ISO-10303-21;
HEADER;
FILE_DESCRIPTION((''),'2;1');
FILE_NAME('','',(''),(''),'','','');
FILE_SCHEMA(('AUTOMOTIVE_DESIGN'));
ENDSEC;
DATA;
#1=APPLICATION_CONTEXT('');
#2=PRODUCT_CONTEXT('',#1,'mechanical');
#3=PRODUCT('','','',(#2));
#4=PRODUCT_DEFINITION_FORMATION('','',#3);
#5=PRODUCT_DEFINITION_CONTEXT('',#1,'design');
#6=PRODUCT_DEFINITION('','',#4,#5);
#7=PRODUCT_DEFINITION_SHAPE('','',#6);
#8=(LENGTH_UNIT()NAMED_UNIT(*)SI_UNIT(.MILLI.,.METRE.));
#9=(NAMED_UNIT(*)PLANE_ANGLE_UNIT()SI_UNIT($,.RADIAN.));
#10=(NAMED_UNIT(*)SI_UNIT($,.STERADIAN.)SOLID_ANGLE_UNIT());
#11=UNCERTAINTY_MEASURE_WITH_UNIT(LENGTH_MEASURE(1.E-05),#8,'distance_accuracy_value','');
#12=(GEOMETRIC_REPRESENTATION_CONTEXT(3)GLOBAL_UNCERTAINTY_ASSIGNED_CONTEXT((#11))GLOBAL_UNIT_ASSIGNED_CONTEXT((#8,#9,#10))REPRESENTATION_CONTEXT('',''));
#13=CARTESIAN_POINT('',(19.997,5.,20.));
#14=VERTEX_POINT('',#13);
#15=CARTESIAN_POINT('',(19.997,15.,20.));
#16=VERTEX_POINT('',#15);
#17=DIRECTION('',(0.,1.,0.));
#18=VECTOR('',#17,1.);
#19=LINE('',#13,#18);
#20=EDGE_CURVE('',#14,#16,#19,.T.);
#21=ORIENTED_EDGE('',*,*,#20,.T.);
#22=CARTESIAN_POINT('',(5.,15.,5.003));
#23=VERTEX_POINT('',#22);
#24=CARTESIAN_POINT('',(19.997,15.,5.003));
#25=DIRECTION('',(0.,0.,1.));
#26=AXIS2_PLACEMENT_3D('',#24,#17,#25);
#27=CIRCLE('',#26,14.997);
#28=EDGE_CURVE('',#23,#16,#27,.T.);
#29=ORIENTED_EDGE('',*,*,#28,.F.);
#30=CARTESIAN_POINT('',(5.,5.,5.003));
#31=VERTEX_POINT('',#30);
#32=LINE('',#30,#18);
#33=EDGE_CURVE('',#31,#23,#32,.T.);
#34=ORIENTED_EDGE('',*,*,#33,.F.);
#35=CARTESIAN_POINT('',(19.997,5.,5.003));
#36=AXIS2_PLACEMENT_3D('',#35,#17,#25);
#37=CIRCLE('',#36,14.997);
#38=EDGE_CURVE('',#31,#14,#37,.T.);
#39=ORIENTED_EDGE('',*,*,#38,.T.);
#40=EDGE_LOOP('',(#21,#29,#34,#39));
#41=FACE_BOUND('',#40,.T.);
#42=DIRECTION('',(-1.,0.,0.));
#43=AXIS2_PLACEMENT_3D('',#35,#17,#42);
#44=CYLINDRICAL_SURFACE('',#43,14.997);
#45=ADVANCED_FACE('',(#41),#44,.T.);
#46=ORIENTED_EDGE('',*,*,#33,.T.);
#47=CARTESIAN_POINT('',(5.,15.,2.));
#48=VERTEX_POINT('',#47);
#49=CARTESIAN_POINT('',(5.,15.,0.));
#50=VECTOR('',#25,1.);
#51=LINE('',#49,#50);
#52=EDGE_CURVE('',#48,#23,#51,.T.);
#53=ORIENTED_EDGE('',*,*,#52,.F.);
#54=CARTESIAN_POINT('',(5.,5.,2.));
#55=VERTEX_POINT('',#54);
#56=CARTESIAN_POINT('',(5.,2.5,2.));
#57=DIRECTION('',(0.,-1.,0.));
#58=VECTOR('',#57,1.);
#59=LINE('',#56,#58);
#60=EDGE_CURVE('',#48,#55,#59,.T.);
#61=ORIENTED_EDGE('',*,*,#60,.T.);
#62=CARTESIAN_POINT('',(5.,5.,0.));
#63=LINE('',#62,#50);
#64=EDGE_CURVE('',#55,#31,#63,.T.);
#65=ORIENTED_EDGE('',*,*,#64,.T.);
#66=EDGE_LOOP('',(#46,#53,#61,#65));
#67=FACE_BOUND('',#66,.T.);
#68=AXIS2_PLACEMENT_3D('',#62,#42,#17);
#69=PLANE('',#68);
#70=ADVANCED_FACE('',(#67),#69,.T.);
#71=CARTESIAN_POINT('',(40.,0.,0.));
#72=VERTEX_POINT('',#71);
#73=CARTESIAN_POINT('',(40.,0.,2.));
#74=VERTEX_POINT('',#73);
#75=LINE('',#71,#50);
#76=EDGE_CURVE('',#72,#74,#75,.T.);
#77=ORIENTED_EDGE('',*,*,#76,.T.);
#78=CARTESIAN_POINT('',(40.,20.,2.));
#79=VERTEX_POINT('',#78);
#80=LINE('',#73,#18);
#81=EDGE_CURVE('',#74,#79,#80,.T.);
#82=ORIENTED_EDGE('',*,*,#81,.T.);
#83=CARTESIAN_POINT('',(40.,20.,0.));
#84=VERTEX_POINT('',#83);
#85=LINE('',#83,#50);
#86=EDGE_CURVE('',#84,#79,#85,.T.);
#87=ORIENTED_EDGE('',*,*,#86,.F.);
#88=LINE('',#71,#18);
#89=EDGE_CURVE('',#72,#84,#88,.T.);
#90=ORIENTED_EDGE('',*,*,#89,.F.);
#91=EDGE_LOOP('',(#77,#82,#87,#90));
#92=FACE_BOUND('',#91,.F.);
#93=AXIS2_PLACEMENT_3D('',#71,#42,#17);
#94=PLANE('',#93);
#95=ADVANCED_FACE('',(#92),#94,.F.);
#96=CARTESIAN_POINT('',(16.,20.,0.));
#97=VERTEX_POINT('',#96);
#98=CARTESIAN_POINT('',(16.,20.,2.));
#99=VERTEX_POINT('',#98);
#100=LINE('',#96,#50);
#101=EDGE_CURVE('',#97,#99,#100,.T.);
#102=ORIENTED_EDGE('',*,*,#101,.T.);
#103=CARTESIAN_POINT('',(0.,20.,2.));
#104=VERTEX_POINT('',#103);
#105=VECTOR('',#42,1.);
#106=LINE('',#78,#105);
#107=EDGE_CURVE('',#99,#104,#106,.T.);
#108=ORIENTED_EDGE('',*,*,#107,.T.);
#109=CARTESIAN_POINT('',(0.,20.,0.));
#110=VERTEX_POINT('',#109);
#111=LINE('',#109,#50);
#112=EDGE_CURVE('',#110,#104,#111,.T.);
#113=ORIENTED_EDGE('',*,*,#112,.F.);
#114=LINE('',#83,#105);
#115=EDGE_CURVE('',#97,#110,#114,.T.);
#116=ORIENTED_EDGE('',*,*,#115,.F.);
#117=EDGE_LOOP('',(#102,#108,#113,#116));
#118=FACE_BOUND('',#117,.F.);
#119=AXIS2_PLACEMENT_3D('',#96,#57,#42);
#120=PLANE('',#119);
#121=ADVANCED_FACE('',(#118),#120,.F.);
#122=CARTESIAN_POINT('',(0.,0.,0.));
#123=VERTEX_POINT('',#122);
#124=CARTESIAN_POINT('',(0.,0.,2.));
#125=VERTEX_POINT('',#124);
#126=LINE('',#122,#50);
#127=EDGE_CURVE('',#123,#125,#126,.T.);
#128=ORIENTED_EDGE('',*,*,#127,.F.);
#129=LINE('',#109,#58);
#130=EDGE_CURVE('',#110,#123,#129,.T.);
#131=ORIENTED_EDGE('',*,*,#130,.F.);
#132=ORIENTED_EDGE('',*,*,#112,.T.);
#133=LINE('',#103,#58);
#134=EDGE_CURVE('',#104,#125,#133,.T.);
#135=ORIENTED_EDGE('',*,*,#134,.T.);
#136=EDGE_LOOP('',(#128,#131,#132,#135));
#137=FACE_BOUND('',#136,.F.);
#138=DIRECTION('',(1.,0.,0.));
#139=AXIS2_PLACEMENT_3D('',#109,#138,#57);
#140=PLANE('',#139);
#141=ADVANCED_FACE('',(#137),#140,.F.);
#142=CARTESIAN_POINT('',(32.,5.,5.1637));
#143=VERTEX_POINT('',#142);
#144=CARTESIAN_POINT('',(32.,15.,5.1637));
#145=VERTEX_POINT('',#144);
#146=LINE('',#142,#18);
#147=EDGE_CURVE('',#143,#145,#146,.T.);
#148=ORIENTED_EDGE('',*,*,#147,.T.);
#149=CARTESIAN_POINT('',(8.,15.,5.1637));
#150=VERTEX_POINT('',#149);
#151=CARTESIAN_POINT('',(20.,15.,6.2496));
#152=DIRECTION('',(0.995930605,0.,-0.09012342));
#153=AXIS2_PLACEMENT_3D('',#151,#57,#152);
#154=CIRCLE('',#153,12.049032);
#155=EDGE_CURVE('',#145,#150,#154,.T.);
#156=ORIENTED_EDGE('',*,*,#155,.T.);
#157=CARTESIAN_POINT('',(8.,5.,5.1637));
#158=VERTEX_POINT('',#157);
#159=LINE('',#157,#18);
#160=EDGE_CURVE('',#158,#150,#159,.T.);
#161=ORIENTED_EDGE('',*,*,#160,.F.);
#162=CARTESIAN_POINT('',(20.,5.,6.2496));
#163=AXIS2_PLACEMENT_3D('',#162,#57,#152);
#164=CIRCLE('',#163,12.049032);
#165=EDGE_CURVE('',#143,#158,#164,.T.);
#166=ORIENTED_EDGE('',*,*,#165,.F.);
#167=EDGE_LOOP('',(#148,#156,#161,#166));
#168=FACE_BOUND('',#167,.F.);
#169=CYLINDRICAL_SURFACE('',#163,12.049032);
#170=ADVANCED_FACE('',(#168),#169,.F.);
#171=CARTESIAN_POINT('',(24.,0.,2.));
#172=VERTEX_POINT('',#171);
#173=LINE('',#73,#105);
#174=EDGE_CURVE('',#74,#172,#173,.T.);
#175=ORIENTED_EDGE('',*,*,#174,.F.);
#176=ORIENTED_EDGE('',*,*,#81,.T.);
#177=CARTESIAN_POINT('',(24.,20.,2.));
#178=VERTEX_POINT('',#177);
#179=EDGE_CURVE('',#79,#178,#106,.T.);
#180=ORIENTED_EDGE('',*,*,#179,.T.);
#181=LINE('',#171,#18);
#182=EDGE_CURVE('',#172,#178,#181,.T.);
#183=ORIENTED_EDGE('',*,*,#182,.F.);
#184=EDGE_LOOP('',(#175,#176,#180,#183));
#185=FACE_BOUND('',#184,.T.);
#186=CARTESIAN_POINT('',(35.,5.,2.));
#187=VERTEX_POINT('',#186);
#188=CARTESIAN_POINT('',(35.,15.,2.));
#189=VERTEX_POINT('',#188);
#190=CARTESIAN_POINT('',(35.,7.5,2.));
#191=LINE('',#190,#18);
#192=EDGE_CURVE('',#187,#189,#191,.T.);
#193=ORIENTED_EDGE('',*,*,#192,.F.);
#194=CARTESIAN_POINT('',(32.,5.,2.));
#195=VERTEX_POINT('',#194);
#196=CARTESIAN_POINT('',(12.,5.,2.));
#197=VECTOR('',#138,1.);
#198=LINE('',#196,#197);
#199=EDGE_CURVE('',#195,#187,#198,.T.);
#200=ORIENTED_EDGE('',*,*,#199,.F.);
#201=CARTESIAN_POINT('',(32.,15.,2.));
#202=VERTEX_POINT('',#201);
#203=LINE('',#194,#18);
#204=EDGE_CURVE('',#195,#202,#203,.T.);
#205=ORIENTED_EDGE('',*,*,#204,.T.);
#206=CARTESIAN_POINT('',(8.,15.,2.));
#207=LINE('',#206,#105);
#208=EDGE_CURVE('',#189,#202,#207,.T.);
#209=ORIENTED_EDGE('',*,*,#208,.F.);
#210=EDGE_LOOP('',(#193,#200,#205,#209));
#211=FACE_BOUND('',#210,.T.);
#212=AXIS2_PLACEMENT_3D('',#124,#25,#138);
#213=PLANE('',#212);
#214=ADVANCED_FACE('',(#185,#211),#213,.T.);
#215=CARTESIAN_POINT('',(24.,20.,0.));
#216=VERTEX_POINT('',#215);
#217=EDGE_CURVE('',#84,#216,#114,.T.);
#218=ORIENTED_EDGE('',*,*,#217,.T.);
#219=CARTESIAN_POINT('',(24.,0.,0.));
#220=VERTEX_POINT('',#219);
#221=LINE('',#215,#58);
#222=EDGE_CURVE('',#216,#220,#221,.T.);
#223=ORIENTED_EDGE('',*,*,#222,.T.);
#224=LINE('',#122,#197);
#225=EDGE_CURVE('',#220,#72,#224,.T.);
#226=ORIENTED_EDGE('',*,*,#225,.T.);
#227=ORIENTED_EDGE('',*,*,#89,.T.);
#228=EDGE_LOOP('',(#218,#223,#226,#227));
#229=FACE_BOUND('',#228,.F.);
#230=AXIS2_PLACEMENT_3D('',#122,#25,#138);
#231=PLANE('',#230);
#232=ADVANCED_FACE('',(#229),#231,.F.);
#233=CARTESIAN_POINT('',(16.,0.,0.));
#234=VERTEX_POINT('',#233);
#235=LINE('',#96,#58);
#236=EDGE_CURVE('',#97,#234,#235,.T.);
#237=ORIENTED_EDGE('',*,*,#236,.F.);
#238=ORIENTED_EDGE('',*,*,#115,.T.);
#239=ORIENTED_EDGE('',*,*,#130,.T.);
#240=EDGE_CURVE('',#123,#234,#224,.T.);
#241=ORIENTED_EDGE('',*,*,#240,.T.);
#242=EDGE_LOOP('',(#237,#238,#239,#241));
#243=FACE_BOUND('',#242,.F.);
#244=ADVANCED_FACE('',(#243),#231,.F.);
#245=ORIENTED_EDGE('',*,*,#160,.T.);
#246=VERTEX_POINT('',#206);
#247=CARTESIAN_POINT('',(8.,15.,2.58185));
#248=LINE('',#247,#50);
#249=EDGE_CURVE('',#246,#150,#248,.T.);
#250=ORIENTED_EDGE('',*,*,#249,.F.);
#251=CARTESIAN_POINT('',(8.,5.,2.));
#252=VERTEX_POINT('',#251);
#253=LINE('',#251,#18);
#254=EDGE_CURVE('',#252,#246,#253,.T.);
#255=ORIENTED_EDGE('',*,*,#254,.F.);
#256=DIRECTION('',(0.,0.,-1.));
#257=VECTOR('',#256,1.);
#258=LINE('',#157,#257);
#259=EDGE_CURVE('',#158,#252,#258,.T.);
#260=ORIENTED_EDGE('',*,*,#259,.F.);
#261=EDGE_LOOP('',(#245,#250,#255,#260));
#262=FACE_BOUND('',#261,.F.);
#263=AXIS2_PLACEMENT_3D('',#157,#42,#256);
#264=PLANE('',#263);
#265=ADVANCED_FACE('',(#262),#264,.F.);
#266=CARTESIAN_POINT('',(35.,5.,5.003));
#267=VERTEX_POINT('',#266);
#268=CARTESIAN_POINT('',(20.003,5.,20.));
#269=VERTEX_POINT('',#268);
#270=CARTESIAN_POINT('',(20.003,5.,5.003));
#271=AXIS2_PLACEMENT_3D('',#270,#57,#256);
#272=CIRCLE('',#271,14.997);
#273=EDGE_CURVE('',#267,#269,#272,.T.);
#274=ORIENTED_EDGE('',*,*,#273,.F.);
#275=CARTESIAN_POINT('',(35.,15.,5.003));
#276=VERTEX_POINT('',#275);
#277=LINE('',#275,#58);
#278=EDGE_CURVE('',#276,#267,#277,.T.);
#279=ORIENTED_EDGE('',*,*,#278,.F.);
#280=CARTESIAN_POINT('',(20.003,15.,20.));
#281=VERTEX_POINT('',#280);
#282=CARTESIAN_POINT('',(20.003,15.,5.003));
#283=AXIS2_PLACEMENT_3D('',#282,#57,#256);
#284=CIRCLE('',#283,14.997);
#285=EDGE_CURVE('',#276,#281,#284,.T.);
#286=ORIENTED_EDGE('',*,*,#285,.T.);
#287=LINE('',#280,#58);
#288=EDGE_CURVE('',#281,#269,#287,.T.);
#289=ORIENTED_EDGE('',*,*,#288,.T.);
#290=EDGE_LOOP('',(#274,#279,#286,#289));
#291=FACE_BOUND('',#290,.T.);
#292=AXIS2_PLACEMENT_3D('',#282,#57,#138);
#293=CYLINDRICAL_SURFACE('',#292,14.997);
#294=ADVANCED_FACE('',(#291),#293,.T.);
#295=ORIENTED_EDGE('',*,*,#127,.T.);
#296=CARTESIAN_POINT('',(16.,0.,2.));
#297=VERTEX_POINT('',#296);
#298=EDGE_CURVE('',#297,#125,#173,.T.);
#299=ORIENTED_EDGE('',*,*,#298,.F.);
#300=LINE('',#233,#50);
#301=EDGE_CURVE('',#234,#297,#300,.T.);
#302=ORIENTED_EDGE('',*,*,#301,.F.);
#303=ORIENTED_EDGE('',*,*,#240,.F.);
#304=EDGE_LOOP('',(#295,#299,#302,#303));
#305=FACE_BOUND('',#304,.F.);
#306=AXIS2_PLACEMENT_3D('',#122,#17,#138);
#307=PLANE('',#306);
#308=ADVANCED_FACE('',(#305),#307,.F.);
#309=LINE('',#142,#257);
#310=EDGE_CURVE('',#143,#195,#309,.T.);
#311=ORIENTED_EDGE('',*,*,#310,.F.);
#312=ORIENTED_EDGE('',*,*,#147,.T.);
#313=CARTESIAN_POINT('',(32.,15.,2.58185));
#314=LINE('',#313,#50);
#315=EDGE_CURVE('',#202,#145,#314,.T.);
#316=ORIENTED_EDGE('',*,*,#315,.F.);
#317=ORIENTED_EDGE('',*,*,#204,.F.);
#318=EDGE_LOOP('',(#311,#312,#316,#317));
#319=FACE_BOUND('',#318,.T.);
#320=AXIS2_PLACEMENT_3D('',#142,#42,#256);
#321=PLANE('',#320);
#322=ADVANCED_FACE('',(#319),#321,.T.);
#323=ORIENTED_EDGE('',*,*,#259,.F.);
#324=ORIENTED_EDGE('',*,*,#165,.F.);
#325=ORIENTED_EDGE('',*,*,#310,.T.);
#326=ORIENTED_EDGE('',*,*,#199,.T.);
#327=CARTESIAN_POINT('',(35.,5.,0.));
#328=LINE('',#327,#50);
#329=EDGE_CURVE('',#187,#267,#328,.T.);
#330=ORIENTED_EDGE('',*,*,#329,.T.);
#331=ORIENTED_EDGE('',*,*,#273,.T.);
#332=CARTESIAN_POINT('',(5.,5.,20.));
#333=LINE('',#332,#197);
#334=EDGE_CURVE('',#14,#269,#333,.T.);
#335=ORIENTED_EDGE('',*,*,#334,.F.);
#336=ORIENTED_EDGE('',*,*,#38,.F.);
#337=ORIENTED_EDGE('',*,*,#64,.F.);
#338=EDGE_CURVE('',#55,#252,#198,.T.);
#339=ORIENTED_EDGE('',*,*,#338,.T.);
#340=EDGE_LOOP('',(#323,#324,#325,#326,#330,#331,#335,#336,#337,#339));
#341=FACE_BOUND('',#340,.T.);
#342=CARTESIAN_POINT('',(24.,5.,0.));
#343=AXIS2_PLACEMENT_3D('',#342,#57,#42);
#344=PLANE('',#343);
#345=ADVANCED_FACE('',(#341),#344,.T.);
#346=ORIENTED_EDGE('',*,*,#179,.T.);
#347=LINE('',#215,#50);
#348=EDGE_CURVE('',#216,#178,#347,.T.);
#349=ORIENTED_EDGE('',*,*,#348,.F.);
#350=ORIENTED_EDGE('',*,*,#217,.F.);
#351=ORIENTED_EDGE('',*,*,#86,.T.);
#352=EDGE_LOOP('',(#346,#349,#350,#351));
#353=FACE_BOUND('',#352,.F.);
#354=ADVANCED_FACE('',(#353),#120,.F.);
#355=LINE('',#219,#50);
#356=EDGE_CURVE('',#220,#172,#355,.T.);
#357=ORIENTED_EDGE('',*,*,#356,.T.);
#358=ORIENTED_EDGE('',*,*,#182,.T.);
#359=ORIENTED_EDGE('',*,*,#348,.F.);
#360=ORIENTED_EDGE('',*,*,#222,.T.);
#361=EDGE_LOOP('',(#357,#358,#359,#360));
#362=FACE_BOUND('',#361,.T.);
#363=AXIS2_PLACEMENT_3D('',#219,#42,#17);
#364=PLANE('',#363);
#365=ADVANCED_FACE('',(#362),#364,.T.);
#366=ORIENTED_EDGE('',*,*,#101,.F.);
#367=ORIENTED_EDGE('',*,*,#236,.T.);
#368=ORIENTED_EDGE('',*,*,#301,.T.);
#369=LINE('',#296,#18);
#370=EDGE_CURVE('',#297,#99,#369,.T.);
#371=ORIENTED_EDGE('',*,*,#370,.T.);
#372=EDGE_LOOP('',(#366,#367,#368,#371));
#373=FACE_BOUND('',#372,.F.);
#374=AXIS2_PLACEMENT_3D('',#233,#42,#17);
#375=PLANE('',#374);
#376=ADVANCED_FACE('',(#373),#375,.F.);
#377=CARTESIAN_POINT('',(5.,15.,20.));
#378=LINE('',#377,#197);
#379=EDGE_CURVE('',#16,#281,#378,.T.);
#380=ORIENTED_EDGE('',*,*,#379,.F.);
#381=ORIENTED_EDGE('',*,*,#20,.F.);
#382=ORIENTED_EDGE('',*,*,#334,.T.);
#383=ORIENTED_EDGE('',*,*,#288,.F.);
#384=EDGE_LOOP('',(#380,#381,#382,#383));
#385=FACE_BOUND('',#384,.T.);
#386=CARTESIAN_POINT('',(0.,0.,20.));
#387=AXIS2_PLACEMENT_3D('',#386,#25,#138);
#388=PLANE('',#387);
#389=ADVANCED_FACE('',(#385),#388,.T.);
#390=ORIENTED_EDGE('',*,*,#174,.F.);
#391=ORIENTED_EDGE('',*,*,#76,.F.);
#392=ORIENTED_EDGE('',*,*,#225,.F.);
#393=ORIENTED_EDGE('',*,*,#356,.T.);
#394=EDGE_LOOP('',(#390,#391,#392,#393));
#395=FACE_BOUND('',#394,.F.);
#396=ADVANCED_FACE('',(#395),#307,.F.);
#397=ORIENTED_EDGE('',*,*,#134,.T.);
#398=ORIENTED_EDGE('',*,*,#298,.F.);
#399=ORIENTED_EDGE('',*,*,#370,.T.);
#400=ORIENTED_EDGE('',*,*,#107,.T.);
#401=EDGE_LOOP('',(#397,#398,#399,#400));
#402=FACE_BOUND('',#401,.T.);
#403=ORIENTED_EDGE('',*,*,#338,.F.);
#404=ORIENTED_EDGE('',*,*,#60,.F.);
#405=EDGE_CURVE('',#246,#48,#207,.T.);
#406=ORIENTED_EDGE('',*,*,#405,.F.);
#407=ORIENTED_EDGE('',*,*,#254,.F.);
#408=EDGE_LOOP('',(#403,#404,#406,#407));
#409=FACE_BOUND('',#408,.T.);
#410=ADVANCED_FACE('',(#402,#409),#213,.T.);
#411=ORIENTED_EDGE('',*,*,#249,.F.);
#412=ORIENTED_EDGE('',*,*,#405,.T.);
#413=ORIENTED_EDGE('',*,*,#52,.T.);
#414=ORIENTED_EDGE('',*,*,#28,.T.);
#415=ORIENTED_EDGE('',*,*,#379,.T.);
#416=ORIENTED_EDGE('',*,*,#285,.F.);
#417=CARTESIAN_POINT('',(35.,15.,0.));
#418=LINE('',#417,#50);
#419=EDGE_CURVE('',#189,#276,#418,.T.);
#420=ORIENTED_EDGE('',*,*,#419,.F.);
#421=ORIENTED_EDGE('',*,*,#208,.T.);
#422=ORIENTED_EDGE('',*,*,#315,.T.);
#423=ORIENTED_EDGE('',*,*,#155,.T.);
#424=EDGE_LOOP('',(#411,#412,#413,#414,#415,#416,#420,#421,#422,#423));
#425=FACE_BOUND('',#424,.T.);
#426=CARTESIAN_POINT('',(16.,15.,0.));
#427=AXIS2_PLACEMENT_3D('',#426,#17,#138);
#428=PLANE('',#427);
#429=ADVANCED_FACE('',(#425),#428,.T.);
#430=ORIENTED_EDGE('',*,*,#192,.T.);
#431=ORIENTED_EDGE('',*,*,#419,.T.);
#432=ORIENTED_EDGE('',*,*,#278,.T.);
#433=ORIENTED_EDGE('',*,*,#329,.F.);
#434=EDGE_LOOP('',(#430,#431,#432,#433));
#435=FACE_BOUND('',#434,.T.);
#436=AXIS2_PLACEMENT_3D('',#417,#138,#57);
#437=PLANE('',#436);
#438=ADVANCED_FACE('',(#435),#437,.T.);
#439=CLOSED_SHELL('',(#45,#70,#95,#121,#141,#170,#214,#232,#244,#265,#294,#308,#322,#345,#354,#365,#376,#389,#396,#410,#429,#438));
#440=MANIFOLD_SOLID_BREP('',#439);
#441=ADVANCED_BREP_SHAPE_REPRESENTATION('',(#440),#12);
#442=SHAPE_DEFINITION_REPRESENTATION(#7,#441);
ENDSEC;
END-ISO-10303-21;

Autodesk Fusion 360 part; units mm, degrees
sketch "Sketch1" plane through (0, 0, 0) normal (0, 0, 1) x (1, 0, 0)
  line L0 (0, 0) -> (40, 0)
  line L1 (40, 0) -> (40, 20)
  line L2 (40, 20) -> (0, 20)
  line L3 (0, 20) -> (0, 0)
  line L4 (5, 15) -> (35, 15)
  line L5 (35, 15) -> (35, 5)
  line L6 (35, 5) -> (5, 5)
  line L7 (5, 5) -> (5, 15)
  line L8 (16, 0) -> (16, 20)
  line L9 (24, 0) -> (24, 20)
  dimension "d1" = 40
  dimension "d2" = 20
  dimension "d3" = 5
  dimension "d4" = 5
  dimension "d5" = 10
  dimension "d6" = 5
  dimension "d16" = 16
  dimension "d17" = 8
extrude "Extrude1" add sketch "Sketch1" along normal blind 2
extrude "Extrude2" add sketch "Sketch1" along normal blind 20 contours L4 L6 L8 L9 | L4 L6 L7 L8 | L4 L5 L6 L9
fillet "Fillet1" radius 15 2 edges at (5, 10, 20) (35, 10, 20)
sketch "Sketch2" plane through (0, 5, 0) normal (0, -1, 0) x (1, 0, 0)
  arc A0 (35, 5) -> (5, 5) centre (20, 5) ccw
  line L0 (5, 5) -> (5, 2)
  line L1 (5, 2) -> (35, 2)
  line L2 (35, 2) -> (35, 5)
  line L3 (8, 5.1637) -> (32, 5.1637)
  arc A1 (32, 5.1637) -> (8, 5.1637) centre (20, 6.2496) ccw
  line L4 (8, 5.1637) -> (8, 2)
  line L5 (32, 5.1637) -> (32, 2)
  line L6 (8, 2) -> (32, 2)
  dimension "d13" = 3
  dimension "d14" = 3
extrude "Extrude3" cut sketch "Sketch2" against normal through all contours L1 L3 L4 L5 L6 | L3 A1
extrude "Extrude4" cut sketch "Sketch1" along normal blind 2 contours L0 L6 L8 L9 | L4 L6 L8 L9 | L2 L4 L8 L9
